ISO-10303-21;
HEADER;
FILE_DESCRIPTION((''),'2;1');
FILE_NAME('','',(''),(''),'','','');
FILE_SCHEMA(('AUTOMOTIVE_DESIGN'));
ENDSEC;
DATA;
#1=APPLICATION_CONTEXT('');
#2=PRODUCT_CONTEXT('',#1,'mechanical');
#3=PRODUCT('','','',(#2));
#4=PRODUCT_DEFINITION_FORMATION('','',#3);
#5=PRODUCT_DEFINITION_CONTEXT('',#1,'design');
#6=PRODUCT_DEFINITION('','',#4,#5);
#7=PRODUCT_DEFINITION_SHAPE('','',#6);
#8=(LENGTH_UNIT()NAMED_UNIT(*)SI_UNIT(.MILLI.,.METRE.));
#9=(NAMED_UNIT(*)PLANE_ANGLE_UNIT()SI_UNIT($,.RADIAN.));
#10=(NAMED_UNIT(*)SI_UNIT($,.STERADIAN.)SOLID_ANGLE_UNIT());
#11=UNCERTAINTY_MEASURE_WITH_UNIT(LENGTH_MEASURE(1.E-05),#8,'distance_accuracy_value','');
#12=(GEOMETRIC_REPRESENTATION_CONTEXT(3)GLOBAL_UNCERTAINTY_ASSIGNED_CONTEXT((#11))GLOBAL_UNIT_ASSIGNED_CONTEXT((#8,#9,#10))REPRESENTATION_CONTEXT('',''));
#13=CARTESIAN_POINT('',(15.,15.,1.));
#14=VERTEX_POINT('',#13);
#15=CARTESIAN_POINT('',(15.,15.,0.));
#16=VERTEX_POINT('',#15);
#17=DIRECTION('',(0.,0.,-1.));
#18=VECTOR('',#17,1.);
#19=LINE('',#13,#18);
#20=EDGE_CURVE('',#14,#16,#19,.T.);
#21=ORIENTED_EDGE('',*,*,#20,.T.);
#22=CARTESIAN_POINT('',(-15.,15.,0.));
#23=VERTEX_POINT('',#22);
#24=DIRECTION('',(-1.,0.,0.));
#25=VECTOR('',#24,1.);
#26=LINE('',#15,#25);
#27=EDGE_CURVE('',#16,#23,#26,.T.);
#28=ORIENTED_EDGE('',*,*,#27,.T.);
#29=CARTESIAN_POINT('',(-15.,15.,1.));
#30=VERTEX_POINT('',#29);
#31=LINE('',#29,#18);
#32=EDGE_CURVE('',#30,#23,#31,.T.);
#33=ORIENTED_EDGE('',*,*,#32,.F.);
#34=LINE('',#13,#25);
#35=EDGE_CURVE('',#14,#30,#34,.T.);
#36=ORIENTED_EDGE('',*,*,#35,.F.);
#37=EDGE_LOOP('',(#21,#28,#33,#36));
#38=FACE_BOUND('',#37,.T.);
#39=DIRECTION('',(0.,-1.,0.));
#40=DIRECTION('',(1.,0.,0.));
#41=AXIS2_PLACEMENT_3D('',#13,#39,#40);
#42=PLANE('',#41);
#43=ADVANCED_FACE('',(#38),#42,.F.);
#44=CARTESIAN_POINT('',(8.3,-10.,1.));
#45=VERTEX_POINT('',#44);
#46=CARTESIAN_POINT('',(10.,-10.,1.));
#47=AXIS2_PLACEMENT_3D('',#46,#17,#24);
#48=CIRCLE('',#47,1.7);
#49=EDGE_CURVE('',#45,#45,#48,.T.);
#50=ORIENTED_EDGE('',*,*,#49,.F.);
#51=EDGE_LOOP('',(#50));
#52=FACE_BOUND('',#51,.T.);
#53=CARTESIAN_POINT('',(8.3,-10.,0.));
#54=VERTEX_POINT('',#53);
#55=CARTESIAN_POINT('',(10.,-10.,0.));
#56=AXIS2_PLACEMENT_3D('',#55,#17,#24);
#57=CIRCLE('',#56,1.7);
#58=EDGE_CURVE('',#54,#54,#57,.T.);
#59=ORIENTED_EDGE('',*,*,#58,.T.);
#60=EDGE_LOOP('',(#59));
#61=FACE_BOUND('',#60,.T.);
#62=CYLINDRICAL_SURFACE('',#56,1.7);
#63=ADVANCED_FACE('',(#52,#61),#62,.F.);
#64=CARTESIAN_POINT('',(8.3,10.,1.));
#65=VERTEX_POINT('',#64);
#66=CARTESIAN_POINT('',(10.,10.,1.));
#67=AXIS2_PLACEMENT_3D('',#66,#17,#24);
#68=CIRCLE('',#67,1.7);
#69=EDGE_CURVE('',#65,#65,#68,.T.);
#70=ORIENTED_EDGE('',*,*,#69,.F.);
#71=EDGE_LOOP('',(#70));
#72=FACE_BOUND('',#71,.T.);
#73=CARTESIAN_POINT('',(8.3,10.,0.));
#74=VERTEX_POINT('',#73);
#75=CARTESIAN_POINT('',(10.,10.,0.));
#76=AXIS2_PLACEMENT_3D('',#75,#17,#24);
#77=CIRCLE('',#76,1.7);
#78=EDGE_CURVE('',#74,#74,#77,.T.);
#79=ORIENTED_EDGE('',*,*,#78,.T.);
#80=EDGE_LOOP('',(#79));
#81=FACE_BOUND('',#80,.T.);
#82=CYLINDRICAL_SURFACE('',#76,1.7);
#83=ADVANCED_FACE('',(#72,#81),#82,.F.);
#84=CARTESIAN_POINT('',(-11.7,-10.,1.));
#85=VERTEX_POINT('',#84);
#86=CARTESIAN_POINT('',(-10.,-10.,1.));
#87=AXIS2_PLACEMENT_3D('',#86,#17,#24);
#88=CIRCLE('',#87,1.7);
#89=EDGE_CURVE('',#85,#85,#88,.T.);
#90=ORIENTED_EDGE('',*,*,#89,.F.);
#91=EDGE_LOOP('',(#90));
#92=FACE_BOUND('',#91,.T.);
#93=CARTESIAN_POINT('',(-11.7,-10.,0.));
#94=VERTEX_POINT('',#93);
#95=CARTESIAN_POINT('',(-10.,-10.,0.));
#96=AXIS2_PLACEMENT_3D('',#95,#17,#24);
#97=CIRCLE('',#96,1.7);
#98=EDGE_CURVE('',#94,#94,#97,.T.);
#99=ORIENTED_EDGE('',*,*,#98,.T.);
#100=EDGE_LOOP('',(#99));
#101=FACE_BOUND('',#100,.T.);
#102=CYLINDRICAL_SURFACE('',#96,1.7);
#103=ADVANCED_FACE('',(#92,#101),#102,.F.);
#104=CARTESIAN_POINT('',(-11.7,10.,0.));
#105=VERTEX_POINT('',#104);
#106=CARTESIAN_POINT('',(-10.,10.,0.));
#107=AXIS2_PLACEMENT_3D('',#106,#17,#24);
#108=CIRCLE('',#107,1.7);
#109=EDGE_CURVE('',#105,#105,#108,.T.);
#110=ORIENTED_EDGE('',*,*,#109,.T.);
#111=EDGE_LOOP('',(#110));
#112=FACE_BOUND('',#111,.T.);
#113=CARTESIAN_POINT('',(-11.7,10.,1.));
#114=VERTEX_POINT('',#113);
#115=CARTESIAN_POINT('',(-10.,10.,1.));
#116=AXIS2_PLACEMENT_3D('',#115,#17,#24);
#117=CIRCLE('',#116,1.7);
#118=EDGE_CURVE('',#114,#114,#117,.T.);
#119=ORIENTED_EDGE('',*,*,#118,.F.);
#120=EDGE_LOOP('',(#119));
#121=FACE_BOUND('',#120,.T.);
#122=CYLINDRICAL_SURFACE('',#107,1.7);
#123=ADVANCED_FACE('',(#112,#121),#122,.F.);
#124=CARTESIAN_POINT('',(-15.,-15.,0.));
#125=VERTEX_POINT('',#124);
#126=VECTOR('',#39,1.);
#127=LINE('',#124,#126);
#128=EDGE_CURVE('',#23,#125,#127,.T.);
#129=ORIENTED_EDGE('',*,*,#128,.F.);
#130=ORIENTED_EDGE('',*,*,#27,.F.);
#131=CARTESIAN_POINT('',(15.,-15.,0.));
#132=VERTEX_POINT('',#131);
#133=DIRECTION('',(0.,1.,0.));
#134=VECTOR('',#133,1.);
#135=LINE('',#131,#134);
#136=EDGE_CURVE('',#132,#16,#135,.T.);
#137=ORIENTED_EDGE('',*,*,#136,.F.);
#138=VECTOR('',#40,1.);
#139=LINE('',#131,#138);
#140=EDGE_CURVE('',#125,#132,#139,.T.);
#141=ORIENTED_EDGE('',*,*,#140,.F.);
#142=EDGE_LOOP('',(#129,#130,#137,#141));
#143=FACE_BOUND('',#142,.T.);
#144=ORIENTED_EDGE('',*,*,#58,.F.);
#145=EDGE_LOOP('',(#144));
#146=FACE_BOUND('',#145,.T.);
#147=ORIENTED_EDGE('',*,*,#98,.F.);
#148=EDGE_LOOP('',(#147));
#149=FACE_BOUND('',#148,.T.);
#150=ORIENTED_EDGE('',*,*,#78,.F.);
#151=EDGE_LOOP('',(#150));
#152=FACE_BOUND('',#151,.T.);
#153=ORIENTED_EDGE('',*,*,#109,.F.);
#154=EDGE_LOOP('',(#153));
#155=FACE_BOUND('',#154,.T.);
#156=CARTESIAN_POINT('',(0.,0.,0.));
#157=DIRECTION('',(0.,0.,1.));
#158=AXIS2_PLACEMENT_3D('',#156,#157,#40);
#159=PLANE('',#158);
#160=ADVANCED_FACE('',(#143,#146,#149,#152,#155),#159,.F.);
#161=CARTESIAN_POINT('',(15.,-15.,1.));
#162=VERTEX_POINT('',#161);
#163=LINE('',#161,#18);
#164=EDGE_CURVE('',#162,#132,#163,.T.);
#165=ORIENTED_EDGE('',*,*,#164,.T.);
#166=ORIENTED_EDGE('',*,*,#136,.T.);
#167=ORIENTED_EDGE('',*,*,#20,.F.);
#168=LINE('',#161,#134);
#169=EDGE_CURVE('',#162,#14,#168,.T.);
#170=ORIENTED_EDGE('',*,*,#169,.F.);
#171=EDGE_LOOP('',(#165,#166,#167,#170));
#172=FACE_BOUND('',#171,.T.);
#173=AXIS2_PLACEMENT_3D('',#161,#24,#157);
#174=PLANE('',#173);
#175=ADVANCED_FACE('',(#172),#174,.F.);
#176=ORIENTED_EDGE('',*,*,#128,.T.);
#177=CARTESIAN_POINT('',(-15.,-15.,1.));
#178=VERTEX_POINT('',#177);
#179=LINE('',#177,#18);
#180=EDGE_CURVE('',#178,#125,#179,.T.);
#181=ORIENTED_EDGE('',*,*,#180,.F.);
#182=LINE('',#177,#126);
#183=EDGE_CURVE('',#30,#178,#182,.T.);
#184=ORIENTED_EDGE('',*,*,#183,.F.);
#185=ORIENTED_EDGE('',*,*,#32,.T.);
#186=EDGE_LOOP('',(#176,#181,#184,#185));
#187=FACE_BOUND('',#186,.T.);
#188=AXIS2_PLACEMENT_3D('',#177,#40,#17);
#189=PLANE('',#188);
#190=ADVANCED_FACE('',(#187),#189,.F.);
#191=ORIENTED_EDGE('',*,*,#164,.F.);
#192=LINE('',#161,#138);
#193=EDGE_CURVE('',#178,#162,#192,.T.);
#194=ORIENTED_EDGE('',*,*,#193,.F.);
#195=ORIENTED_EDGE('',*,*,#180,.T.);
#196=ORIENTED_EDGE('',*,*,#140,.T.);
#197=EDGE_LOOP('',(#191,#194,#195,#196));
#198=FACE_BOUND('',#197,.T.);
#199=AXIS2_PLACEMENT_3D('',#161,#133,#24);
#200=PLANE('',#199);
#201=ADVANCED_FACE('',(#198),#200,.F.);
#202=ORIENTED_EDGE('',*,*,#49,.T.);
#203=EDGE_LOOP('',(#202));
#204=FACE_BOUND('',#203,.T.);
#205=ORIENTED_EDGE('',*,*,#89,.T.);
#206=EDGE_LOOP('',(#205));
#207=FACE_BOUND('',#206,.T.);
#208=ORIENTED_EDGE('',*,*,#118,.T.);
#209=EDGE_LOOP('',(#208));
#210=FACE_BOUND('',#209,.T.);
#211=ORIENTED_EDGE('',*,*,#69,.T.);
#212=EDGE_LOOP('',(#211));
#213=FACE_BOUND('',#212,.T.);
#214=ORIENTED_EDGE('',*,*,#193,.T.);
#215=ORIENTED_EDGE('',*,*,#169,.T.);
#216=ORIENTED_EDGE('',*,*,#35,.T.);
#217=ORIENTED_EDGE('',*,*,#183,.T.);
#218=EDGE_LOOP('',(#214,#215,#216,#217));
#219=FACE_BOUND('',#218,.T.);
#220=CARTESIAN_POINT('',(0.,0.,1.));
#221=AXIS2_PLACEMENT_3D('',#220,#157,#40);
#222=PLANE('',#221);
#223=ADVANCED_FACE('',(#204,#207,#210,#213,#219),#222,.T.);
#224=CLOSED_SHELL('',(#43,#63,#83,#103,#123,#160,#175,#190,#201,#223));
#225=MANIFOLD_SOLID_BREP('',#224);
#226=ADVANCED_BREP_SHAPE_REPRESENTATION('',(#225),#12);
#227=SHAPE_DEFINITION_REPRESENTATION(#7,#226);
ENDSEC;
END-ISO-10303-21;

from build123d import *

# Parameters (mm, degrees)
ESQUISSE1_W        = 30
ESQUISSE1_H        = 30
BOSS_EXTRU_1_DEPTH = 1
D_GAGEMENT_M31_D   = 3.4


with BuildPart() as part:
    # Esquisse1 → Boss.-Extru.1 (new body)
    with BuildSketch(Plane.XY):
        Rectangle(ESQUISSE1_W, ESQUISSE1_H)
    extrude(amount=BOSS_EXTRU_1_DEPTH)

    # Dégagement M31 (through all)
    with Locations(Plane(origin=(0, 0, 0), x_dir=(-1, 0, 0), z_dir=(0, 0, -1))):
        with Locations((10, -10), (10, 10), (-10, 10), (-10, -10)):
            Hole(D_GAGEMENT_M31_D / 2)


solid = part.part
